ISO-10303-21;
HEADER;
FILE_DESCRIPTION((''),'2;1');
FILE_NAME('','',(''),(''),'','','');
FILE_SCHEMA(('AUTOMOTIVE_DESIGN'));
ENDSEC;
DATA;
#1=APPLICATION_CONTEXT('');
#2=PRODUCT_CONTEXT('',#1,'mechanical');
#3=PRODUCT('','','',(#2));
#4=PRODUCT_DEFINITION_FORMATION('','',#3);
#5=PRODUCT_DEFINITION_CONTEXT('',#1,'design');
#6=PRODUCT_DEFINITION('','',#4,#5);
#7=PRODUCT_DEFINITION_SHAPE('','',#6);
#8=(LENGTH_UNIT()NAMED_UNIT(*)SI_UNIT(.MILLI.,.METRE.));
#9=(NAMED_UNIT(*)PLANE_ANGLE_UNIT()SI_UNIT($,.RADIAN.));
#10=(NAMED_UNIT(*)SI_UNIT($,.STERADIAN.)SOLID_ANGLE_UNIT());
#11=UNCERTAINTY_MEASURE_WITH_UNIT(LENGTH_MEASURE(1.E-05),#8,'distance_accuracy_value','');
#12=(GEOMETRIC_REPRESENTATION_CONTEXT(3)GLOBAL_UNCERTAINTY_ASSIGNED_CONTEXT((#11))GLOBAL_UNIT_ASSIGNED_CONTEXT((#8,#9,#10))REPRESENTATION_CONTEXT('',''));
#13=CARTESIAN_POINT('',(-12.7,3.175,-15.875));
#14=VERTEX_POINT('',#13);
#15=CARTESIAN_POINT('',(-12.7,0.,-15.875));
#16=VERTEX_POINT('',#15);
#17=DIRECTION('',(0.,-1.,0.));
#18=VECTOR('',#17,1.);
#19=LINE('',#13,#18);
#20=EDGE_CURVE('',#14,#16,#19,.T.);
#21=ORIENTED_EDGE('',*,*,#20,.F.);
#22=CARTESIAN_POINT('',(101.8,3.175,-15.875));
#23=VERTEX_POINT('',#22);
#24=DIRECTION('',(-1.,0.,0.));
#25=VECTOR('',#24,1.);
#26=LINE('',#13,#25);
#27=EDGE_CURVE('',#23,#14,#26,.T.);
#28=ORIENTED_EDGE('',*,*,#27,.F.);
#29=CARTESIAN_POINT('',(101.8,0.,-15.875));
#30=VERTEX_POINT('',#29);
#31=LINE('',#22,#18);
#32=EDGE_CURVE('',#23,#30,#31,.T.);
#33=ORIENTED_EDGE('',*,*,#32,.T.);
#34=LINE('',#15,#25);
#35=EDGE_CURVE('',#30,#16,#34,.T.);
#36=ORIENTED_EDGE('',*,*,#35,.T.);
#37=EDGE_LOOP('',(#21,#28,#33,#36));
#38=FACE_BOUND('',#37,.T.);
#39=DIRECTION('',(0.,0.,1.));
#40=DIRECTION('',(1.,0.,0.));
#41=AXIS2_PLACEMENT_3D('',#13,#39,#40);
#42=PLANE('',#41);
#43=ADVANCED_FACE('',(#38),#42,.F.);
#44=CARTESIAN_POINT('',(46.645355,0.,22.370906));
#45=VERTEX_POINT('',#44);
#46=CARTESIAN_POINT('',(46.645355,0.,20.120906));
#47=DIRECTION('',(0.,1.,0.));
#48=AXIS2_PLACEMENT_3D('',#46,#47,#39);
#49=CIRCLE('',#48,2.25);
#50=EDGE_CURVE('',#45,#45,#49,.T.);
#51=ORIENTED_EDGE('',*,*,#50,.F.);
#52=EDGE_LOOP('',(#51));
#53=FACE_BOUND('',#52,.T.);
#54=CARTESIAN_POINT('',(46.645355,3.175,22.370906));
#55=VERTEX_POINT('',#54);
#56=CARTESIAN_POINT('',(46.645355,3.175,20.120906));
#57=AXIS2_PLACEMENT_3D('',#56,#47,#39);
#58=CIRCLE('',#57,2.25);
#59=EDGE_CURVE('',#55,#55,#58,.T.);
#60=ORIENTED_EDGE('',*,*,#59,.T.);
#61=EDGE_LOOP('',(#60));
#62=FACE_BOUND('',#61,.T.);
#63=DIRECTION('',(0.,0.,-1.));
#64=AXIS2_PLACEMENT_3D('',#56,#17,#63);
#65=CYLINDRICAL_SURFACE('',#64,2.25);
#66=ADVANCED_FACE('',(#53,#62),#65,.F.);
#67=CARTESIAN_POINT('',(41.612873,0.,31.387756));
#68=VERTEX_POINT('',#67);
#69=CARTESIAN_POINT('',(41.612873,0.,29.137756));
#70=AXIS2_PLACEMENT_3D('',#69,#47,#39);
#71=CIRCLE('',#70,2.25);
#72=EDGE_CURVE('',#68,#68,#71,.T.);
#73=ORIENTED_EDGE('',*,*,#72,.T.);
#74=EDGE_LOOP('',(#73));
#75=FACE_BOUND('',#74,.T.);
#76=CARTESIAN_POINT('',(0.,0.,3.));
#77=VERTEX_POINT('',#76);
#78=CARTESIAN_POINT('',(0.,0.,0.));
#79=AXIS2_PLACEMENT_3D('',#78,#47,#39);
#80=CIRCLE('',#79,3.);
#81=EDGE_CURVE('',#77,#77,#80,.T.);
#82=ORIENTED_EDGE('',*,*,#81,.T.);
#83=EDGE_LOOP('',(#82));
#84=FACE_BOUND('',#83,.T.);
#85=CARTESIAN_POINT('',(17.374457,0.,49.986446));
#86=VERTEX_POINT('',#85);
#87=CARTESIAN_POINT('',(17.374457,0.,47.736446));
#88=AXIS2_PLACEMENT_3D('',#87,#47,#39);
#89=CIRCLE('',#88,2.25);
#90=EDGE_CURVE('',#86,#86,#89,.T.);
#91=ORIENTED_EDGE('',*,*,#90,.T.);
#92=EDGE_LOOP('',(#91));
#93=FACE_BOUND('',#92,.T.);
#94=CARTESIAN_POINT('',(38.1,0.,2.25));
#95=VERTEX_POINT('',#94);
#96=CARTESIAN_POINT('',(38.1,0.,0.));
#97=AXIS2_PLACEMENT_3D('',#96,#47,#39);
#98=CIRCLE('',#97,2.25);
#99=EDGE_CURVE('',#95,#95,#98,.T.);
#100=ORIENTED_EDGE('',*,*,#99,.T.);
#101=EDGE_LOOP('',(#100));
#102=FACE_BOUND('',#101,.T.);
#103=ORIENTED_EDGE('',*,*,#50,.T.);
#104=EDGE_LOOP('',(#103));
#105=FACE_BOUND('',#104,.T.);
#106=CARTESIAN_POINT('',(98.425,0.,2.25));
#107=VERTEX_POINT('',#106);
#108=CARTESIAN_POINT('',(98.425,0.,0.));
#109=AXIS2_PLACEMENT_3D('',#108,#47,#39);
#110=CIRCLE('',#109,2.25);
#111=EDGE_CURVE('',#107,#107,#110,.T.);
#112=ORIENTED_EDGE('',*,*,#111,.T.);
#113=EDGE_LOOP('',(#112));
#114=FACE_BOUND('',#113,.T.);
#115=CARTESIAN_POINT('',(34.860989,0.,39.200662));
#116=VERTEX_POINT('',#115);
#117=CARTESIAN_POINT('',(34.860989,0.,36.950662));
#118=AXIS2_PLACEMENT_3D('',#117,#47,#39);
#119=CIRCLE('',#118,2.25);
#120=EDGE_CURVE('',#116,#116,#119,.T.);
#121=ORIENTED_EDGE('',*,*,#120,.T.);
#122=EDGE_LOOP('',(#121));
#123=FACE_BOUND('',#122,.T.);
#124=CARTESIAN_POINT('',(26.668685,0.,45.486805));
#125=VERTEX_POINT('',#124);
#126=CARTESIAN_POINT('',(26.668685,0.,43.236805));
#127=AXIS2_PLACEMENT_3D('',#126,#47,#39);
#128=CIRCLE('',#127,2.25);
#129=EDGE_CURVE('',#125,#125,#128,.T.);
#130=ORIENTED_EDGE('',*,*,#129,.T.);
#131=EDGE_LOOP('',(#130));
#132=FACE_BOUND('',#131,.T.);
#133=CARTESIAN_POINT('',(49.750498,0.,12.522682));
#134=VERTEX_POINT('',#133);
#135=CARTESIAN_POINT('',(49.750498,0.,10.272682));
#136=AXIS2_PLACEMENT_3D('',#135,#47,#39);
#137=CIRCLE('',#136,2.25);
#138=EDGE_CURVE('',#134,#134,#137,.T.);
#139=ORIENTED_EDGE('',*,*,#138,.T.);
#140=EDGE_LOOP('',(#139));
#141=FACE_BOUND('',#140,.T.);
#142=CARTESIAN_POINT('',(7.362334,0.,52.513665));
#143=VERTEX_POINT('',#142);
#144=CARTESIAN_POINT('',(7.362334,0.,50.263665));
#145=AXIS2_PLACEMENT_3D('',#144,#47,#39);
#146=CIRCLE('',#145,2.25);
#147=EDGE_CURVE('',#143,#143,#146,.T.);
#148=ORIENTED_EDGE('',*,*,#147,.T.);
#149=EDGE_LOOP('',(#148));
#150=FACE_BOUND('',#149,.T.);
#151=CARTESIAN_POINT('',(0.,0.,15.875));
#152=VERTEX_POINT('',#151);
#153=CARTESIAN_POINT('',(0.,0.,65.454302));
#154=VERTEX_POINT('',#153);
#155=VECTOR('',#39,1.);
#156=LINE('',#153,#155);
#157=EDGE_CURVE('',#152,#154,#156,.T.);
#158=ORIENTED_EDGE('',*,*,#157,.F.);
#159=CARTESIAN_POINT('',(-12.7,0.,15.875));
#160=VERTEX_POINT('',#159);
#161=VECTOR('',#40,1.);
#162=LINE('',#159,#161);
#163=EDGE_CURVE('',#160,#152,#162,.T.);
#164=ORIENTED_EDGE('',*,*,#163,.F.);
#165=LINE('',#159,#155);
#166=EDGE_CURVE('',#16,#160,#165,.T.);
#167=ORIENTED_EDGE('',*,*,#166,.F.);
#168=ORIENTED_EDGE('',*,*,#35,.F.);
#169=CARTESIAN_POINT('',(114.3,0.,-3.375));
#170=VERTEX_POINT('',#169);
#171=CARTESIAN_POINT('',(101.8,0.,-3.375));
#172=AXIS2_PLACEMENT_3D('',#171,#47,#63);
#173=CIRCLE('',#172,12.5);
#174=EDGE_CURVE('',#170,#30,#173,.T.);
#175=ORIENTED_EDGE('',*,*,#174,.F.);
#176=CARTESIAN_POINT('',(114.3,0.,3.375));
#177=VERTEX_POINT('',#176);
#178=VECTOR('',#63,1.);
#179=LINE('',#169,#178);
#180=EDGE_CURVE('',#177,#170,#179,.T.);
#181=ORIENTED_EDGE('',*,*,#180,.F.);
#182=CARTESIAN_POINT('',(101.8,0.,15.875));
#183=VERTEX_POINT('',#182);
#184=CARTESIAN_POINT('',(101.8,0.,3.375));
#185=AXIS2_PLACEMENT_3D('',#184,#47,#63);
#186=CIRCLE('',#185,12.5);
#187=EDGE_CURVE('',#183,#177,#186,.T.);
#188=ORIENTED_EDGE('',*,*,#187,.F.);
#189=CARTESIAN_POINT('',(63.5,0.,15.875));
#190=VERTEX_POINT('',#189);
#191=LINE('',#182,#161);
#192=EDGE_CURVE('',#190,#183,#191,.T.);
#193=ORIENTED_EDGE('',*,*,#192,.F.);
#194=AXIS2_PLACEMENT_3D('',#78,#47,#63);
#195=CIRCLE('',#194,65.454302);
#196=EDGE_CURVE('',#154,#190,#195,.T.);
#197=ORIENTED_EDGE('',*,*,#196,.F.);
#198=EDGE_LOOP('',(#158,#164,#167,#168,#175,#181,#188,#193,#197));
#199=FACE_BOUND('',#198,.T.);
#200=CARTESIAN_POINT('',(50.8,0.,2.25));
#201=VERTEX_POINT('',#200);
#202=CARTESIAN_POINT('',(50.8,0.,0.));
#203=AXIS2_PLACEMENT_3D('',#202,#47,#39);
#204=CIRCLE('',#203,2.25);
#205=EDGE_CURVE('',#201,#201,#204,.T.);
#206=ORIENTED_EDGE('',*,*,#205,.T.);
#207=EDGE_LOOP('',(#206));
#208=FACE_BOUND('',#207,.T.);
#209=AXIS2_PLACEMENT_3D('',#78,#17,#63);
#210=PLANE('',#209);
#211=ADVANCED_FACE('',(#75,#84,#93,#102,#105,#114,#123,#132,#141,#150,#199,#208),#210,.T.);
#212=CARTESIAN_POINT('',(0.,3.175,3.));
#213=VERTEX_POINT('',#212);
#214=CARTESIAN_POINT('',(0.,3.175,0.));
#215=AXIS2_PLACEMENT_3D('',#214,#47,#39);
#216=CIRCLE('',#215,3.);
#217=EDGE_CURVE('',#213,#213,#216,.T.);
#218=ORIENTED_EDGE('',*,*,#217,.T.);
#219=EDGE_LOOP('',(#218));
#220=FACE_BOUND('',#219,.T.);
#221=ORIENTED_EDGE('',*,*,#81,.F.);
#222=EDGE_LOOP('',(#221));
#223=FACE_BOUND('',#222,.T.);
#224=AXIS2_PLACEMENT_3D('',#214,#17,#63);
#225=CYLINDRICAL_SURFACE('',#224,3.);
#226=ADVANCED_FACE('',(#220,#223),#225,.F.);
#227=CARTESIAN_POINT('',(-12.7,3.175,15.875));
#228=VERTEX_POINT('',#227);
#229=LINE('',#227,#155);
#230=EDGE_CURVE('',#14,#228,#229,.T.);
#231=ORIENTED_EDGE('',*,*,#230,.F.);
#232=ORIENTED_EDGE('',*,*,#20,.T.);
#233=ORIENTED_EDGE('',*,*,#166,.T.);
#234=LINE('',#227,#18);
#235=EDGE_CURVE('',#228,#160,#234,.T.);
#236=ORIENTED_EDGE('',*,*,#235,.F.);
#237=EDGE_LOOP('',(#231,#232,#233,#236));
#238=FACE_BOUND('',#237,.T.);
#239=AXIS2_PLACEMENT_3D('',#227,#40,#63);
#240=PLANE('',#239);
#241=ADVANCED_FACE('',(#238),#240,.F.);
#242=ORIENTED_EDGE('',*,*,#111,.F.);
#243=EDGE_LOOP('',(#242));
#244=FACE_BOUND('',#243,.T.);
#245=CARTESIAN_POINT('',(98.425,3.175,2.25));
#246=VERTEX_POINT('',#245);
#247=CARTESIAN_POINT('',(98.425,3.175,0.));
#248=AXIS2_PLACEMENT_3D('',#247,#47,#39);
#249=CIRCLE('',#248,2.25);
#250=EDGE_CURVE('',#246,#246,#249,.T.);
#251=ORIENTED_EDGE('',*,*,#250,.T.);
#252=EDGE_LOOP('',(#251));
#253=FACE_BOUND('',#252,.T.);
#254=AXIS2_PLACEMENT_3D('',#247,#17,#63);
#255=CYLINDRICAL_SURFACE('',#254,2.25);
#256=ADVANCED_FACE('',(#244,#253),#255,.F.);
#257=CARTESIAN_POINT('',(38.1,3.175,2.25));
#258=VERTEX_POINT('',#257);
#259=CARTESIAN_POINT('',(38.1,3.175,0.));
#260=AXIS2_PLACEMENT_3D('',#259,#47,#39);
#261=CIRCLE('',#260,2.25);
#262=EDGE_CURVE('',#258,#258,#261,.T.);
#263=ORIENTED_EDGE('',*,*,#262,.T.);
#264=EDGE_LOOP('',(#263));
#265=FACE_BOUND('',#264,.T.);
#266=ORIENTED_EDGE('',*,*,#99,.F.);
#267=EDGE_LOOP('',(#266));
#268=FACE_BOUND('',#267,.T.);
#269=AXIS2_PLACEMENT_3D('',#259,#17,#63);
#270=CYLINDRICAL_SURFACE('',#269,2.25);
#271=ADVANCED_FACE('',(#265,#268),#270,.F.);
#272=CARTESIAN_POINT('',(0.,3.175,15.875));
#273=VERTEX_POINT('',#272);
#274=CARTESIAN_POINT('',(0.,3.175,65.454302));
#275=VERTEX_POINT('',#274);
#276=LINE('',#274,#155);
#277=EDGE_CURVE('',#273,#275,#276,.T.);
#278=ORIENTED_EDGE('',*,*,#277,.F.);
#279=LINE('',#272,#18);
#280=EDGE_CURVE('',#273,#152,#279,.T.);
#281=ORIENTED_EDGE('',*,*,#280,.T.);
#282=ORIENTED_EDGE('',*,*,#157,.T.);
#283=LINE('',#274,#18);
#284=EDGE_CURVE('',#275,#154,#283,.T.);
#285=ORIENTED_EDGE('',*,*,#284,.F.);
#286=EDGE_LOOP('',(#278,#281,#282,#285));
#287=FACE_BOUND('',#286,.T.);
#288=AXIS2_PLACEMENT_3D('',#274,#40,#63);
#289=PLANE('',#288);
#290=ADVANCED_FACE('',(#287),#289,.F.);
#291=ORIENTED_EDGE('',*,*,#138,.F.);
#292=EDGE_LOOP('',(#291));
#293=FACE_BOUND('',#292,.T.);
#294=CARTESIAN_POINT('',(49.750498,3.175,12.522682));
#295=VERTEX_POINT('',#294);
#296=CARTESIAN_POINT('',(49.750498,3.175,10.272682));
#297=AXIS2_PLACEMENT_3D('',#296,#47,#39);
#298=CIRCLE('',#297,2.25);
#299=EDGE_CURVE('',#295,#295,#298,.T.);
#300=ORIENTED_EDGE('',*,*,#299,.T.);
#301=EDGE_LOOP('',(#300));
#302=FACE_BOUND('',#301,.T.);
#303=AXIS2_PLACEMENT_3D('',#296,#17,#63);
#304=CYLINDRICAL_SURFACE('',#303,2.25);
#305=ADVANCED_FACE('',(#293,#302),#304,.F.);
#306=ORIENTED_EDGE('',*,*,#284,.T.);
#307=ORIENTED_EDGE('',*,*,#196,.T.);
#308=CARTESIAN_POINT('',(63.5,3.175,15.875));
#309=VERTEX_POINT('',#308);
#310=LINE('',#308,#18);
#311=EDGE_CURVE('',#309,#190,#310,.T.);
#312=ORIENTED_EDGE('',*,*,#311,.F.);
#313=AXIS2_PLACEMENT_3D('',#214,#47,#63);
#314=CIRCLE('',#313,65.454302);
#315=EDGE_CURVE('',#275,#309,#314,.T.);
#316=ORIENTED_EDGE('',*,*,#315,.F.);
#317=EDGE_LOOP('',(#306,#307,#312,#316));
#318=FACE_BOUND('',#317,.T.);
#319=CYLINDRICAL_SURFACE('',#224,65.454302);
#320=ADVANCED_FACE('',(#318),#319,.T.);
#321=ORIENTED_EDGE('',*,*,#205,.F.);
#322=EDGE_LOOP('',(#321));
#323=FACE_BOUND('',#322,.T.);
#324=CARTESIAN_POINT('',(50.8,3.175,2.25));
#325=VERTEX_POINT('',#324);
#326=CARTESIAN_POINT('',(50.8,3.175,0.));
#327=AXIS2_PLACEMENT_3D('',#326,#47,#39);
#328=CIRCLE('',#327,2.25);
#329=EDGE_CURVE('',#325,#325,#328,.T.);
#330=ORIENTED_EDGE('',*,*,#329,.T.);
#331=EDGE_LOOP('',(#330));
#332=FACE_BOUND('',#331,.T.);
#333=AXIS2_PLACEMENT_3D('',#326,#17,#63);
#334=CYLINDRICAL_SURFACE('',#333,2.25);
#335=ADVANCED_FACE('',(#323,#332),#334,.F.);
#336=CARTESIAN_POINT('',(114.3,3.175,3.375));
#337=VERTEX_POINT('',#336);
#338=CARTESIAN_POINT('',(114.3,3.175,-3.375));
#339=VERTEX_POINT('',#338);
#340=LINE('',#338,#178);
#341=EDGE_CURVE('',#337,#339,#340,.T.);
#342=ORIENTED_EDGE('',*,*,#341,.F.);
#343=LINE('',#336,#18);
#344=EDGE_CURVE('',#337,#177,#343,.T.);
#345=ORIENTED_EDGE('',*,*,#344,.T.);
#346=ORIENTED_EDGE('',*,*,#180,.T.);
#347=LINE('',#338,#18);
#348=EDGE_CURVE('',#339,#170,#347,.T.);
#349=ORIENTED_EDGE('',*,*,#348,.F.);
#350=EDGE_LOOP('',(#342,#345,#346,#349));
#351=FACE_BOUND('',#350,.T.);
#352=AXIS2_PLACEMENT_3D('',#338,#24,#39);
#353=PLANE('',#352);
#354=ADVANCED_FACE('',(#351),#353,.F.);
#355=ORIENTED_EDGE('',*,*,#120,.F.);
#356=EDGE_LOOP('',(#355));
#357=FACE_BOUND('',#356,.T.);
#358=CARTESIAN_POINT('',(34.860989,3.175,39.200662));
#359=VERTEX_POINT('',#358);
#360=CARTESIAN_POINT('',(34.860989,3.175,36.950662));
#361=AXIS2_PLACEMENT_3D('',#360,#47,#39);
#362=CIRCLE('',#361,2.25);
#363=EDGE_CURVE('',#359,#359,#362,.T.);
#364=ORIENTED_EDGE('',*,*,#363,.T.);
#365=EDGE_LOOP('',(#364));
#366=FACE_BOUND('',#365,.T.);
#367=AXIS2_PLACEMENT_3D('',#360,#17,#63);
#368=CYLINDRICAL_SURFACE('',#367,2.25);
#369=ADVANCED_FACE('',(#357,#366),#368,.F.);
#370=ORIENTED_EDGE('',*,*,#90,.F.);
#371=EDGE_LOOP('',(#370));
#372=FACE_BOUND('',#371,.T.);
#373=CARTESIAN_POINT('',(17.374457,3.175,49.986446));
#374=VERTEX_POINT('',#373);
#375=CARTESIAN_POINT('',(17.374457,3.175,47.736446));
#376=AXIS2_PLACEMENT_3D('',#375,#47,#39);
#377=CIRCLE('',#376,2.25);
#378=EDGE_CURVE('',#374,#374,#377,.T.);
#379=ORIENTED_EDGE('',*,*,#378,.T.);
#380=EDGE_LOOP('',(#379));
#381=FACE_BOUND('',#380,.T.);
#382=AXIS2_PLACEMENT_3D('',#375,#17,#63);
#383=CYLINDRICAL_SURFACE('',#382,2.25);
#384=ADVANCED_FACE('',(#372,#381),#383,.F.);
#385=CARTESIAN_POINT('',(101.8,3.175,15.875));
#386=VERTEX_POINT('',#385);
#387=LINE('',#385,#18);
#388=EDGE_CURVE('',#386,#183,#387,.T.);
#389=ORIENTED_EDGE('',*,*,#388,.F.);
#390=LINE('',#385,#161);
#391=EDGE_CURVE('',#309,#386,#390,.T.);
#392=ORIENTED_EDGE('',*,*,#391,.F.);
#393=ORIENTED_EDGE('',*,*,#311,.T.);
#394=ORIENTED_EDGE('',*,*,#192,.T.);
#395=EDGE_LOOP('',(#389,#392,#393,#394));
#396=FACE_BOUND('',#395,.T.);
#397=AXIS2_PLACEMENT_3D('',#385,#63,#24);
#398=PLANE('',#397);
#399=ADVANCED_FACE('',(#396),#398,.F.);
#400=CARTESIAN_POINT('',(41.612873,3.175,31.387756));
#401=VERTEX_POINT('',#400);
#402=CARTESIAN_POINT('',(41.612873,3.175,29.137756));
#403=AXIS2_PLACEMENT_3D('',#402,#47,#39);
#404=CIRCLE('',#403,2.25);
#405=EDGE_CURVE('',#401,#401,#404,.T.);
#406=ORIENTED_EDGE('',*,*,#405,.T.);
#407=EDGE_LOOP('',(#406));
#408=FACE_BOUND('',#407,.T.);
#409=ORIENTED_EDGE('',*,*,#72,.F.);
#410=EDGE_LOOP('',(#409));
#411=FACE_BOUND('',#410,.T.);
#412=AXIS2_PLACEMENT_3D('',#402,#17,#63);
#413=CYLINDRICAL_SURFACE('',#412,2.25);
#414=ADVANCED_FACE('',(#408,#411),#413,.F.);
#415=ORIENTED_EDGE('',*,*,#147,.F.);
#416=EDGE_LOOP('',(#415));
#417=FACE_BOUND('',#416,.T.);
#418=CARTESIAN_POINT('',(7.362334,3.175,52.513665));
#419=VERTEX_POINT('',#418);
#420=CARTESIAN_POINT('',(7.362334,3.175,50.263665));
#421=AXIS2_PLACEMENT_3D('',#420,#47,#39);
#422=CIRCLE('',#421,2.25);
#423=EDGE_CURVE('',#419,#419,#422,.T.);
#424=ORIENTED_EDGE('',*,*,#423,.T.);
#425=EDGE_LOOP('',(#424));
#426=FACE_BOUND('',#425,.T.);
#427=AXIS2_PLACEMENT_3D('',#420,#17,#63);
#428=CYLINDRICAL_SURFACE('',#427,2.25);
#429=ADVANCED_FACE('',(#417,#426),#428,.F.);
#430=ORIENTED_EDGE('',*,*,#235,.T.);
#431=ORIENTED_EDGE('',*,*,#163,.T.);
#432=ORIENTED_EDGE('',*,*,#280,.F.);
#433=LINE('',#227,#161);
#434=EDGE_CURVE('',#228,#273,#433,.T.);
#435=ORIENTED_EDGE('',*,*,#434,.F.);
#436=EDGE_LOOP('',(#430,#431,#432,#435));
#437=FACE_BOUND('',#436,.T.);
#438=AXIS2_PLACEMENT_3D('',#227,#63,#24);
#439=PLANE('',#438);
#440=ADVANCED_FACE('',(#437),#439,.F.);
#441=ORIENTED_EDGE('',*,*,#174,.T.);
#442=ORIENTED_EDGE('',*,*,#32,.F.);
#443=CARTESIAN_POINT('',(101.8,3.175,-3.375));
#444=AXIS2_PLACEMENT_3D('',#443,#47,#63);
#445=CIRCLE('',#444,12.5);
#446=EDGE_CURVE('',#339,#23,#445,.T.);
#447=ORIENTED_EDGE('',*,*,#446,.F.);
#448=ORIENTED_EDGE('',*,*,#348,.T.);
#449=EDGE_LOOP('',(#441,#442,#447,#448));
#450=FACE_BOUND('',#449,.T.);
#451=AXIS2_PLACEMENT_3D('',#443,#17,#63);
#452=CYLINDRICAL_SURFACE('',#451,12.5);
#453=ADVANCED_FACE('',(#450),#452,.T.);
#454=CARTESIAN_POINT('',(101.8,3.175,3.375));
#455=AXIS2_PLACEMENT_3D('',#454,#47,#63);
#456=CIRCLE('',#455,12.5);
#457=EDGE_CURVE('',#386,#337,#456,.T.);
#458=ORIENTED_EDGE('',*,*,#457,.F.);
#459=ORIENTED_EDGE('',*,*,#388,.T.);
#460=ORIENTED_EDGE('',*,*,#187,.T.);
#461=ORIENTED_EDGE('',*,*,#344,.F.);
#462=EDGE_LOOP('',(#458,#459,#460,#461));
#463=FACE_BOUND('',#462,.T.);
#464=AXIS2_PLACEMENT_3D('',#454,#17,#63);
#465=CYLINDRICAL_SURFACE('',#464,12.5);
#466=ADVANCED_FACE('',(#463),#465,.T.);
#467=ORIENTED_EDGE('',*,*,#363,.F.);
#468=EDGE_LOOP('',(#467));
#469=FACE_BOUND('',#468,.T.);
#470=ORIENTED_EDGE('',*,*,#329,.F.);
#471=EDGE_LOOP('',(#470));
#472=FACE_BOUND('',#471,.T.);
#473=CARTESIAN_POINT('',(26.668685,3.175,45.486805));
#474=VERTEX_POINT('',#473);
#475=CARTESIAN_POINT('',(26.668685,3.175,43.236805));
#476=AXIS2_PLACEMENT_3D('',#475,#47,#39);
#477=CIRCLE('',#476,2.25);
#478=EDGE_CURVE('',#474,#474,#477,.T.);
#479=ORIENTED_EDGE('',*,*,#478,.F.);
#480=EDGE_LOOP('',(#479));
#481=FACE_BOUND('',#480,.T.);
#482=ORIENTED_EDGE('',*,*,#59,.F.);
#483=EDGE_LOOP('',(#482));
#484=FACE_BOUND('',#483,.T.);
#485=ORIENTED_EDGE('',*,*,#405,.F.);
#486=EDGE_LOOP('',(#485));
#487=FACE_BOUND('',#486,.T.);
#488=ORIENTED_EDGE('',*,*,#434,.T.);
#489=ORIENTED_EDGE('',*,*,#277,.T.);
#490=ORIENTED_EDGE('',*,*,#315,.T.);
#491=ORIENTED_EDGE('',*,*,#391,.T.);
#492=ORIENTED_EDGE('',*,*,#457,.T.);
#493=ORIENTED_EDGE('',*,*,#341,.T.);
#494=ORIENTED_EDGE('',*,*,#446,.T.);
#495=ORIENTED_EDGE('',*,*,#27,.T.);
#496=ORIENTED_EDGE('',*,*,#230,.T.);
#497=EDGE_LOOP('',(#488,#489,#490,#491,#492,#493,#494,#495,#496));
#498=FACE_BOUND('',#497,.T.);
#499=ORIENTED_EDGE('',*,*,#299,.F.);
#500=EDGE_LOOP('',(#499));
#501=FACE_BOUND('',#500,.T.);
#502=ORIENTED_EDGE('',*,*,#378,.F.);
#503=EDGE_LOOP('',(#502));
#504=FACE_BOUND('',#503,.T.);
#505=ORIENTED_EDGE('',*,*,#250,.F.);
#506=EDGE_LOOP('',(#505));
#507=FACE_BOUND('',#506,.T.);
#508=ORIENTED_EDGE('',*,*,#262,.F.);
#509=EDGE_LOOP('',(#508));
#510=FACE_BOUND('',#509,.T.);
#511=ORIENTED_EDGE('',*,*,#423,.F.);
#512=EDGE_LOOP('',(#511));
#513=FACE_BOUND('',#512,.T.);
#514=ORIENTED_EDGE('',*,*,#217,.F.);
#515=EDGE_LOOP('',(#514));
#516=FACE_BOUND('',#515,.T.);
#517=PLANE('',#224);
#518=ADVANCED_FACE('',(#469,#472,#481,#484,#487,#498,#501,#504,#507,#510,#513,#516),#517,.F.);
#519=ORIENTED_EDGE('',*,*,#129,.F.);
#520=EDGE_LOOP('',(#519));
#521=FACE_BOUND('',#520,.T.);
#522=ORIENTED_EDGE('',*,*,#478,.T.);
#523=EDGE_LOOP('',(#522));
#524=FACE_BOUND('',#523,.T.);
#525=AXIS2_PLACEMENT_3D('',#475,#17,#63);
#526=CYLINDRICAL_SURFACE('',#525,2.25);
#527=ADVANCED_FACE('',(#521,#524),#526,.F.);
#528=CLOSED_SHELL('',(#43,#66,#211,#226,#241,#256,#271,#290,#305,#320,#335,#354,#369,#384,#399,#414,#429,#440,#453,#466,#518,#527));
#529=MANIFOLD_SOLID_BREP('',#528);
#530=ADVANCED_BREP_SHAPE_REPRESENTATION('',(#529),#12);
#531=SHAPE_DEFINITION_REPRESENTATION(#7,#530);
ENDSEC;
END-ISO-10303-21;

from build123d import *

# Parameters (mm, degrees)
SKETCH1_R           = 3
SKETCH1_R_2         = 2.25
BOSS_EXTRUDE1_DEPTH = 3.175


with BuildPart() as part:
    # Sketch1 → Boss-Extrude1 (new body)
    with BuildSketch(Plane(origin=(0, 0, 0), x_dir=(1, 0, 0), z_dir=(0, 1, 0))):
        with BuildLine():
            Line((-12.7, -15.875), (-12.7, 15.875))
            Line((-12.7, 15.875), (101.8, 15.875))
            ThreePointArc((101.8, 15.875), (110.638834765, 12.213834765), (114.3, 3.375))
            Line((114.3, 3.375), (114.3, -3.375))
            ThreePointArc((114.3, -3.375), (110.638834765, -12.213834765), (101.8, -15.875))
            Line((101.8, -15.875), (63.5, -15.875))
            ThreePointArc((63.5, -15.875), (40.28137649, -51.591436626), (0, -65.454301807))
            Line((0, -65.454301807), (0, -15.875))
            Line((0, -15.875), (-12.7, -15.875))
        make_face()
        Circle(SKETCH1_R, mode=Mode.SUBTRACT)
        with Locations((98.425, 0)):
            Circle(SKETCH1_R_2, mode=Mode.SUBTRACT)
        with Locations((50.8, 0)):
            Circle(SKETCH1_R_2, mode=Mode.SUBTRACT)
        with Locations((49.750497609, -10.272681618)):
            Circle(SKETCH1_R_2, mode=Mode.SUBTRACT)
        with Locations((46.645354818, -20.120906389)):
            Circle(SKETCH1_R_2, mode=Mode.SUBTRACT)
        with Locations((41.612872995, -29.137755595)):
            Circle(SKETCH1_R_2, mode=Mode.SUBTRACT)
        with Locations((34.860989216, -36.950662117)):
            Circle(SKETCH1_R_2, mode=Mode.SUBTRACT)
        with Locations((26.66868451, -43.236804536)):
            Circle(SKETCH1_R_2, mode=Mode.SUBTRACT)
        with Locations((17.374456649, -47.736445785)):
            Circle(SKETCH1_R_2, mode=Mode.SUBTRACT)
        with Locations((7.362333757, -50.263665223)):
            Circle(SKETCH1_R_2, mode=Mode.SUBTRACT)
        with Locations((38.1, 0)):
            Circle(SKETCH1_R_2, mode=Mode.SUBTRACT)
    extrude(amount=BOSS_EXTRUDE1_DEPTH)


solid = part.part
